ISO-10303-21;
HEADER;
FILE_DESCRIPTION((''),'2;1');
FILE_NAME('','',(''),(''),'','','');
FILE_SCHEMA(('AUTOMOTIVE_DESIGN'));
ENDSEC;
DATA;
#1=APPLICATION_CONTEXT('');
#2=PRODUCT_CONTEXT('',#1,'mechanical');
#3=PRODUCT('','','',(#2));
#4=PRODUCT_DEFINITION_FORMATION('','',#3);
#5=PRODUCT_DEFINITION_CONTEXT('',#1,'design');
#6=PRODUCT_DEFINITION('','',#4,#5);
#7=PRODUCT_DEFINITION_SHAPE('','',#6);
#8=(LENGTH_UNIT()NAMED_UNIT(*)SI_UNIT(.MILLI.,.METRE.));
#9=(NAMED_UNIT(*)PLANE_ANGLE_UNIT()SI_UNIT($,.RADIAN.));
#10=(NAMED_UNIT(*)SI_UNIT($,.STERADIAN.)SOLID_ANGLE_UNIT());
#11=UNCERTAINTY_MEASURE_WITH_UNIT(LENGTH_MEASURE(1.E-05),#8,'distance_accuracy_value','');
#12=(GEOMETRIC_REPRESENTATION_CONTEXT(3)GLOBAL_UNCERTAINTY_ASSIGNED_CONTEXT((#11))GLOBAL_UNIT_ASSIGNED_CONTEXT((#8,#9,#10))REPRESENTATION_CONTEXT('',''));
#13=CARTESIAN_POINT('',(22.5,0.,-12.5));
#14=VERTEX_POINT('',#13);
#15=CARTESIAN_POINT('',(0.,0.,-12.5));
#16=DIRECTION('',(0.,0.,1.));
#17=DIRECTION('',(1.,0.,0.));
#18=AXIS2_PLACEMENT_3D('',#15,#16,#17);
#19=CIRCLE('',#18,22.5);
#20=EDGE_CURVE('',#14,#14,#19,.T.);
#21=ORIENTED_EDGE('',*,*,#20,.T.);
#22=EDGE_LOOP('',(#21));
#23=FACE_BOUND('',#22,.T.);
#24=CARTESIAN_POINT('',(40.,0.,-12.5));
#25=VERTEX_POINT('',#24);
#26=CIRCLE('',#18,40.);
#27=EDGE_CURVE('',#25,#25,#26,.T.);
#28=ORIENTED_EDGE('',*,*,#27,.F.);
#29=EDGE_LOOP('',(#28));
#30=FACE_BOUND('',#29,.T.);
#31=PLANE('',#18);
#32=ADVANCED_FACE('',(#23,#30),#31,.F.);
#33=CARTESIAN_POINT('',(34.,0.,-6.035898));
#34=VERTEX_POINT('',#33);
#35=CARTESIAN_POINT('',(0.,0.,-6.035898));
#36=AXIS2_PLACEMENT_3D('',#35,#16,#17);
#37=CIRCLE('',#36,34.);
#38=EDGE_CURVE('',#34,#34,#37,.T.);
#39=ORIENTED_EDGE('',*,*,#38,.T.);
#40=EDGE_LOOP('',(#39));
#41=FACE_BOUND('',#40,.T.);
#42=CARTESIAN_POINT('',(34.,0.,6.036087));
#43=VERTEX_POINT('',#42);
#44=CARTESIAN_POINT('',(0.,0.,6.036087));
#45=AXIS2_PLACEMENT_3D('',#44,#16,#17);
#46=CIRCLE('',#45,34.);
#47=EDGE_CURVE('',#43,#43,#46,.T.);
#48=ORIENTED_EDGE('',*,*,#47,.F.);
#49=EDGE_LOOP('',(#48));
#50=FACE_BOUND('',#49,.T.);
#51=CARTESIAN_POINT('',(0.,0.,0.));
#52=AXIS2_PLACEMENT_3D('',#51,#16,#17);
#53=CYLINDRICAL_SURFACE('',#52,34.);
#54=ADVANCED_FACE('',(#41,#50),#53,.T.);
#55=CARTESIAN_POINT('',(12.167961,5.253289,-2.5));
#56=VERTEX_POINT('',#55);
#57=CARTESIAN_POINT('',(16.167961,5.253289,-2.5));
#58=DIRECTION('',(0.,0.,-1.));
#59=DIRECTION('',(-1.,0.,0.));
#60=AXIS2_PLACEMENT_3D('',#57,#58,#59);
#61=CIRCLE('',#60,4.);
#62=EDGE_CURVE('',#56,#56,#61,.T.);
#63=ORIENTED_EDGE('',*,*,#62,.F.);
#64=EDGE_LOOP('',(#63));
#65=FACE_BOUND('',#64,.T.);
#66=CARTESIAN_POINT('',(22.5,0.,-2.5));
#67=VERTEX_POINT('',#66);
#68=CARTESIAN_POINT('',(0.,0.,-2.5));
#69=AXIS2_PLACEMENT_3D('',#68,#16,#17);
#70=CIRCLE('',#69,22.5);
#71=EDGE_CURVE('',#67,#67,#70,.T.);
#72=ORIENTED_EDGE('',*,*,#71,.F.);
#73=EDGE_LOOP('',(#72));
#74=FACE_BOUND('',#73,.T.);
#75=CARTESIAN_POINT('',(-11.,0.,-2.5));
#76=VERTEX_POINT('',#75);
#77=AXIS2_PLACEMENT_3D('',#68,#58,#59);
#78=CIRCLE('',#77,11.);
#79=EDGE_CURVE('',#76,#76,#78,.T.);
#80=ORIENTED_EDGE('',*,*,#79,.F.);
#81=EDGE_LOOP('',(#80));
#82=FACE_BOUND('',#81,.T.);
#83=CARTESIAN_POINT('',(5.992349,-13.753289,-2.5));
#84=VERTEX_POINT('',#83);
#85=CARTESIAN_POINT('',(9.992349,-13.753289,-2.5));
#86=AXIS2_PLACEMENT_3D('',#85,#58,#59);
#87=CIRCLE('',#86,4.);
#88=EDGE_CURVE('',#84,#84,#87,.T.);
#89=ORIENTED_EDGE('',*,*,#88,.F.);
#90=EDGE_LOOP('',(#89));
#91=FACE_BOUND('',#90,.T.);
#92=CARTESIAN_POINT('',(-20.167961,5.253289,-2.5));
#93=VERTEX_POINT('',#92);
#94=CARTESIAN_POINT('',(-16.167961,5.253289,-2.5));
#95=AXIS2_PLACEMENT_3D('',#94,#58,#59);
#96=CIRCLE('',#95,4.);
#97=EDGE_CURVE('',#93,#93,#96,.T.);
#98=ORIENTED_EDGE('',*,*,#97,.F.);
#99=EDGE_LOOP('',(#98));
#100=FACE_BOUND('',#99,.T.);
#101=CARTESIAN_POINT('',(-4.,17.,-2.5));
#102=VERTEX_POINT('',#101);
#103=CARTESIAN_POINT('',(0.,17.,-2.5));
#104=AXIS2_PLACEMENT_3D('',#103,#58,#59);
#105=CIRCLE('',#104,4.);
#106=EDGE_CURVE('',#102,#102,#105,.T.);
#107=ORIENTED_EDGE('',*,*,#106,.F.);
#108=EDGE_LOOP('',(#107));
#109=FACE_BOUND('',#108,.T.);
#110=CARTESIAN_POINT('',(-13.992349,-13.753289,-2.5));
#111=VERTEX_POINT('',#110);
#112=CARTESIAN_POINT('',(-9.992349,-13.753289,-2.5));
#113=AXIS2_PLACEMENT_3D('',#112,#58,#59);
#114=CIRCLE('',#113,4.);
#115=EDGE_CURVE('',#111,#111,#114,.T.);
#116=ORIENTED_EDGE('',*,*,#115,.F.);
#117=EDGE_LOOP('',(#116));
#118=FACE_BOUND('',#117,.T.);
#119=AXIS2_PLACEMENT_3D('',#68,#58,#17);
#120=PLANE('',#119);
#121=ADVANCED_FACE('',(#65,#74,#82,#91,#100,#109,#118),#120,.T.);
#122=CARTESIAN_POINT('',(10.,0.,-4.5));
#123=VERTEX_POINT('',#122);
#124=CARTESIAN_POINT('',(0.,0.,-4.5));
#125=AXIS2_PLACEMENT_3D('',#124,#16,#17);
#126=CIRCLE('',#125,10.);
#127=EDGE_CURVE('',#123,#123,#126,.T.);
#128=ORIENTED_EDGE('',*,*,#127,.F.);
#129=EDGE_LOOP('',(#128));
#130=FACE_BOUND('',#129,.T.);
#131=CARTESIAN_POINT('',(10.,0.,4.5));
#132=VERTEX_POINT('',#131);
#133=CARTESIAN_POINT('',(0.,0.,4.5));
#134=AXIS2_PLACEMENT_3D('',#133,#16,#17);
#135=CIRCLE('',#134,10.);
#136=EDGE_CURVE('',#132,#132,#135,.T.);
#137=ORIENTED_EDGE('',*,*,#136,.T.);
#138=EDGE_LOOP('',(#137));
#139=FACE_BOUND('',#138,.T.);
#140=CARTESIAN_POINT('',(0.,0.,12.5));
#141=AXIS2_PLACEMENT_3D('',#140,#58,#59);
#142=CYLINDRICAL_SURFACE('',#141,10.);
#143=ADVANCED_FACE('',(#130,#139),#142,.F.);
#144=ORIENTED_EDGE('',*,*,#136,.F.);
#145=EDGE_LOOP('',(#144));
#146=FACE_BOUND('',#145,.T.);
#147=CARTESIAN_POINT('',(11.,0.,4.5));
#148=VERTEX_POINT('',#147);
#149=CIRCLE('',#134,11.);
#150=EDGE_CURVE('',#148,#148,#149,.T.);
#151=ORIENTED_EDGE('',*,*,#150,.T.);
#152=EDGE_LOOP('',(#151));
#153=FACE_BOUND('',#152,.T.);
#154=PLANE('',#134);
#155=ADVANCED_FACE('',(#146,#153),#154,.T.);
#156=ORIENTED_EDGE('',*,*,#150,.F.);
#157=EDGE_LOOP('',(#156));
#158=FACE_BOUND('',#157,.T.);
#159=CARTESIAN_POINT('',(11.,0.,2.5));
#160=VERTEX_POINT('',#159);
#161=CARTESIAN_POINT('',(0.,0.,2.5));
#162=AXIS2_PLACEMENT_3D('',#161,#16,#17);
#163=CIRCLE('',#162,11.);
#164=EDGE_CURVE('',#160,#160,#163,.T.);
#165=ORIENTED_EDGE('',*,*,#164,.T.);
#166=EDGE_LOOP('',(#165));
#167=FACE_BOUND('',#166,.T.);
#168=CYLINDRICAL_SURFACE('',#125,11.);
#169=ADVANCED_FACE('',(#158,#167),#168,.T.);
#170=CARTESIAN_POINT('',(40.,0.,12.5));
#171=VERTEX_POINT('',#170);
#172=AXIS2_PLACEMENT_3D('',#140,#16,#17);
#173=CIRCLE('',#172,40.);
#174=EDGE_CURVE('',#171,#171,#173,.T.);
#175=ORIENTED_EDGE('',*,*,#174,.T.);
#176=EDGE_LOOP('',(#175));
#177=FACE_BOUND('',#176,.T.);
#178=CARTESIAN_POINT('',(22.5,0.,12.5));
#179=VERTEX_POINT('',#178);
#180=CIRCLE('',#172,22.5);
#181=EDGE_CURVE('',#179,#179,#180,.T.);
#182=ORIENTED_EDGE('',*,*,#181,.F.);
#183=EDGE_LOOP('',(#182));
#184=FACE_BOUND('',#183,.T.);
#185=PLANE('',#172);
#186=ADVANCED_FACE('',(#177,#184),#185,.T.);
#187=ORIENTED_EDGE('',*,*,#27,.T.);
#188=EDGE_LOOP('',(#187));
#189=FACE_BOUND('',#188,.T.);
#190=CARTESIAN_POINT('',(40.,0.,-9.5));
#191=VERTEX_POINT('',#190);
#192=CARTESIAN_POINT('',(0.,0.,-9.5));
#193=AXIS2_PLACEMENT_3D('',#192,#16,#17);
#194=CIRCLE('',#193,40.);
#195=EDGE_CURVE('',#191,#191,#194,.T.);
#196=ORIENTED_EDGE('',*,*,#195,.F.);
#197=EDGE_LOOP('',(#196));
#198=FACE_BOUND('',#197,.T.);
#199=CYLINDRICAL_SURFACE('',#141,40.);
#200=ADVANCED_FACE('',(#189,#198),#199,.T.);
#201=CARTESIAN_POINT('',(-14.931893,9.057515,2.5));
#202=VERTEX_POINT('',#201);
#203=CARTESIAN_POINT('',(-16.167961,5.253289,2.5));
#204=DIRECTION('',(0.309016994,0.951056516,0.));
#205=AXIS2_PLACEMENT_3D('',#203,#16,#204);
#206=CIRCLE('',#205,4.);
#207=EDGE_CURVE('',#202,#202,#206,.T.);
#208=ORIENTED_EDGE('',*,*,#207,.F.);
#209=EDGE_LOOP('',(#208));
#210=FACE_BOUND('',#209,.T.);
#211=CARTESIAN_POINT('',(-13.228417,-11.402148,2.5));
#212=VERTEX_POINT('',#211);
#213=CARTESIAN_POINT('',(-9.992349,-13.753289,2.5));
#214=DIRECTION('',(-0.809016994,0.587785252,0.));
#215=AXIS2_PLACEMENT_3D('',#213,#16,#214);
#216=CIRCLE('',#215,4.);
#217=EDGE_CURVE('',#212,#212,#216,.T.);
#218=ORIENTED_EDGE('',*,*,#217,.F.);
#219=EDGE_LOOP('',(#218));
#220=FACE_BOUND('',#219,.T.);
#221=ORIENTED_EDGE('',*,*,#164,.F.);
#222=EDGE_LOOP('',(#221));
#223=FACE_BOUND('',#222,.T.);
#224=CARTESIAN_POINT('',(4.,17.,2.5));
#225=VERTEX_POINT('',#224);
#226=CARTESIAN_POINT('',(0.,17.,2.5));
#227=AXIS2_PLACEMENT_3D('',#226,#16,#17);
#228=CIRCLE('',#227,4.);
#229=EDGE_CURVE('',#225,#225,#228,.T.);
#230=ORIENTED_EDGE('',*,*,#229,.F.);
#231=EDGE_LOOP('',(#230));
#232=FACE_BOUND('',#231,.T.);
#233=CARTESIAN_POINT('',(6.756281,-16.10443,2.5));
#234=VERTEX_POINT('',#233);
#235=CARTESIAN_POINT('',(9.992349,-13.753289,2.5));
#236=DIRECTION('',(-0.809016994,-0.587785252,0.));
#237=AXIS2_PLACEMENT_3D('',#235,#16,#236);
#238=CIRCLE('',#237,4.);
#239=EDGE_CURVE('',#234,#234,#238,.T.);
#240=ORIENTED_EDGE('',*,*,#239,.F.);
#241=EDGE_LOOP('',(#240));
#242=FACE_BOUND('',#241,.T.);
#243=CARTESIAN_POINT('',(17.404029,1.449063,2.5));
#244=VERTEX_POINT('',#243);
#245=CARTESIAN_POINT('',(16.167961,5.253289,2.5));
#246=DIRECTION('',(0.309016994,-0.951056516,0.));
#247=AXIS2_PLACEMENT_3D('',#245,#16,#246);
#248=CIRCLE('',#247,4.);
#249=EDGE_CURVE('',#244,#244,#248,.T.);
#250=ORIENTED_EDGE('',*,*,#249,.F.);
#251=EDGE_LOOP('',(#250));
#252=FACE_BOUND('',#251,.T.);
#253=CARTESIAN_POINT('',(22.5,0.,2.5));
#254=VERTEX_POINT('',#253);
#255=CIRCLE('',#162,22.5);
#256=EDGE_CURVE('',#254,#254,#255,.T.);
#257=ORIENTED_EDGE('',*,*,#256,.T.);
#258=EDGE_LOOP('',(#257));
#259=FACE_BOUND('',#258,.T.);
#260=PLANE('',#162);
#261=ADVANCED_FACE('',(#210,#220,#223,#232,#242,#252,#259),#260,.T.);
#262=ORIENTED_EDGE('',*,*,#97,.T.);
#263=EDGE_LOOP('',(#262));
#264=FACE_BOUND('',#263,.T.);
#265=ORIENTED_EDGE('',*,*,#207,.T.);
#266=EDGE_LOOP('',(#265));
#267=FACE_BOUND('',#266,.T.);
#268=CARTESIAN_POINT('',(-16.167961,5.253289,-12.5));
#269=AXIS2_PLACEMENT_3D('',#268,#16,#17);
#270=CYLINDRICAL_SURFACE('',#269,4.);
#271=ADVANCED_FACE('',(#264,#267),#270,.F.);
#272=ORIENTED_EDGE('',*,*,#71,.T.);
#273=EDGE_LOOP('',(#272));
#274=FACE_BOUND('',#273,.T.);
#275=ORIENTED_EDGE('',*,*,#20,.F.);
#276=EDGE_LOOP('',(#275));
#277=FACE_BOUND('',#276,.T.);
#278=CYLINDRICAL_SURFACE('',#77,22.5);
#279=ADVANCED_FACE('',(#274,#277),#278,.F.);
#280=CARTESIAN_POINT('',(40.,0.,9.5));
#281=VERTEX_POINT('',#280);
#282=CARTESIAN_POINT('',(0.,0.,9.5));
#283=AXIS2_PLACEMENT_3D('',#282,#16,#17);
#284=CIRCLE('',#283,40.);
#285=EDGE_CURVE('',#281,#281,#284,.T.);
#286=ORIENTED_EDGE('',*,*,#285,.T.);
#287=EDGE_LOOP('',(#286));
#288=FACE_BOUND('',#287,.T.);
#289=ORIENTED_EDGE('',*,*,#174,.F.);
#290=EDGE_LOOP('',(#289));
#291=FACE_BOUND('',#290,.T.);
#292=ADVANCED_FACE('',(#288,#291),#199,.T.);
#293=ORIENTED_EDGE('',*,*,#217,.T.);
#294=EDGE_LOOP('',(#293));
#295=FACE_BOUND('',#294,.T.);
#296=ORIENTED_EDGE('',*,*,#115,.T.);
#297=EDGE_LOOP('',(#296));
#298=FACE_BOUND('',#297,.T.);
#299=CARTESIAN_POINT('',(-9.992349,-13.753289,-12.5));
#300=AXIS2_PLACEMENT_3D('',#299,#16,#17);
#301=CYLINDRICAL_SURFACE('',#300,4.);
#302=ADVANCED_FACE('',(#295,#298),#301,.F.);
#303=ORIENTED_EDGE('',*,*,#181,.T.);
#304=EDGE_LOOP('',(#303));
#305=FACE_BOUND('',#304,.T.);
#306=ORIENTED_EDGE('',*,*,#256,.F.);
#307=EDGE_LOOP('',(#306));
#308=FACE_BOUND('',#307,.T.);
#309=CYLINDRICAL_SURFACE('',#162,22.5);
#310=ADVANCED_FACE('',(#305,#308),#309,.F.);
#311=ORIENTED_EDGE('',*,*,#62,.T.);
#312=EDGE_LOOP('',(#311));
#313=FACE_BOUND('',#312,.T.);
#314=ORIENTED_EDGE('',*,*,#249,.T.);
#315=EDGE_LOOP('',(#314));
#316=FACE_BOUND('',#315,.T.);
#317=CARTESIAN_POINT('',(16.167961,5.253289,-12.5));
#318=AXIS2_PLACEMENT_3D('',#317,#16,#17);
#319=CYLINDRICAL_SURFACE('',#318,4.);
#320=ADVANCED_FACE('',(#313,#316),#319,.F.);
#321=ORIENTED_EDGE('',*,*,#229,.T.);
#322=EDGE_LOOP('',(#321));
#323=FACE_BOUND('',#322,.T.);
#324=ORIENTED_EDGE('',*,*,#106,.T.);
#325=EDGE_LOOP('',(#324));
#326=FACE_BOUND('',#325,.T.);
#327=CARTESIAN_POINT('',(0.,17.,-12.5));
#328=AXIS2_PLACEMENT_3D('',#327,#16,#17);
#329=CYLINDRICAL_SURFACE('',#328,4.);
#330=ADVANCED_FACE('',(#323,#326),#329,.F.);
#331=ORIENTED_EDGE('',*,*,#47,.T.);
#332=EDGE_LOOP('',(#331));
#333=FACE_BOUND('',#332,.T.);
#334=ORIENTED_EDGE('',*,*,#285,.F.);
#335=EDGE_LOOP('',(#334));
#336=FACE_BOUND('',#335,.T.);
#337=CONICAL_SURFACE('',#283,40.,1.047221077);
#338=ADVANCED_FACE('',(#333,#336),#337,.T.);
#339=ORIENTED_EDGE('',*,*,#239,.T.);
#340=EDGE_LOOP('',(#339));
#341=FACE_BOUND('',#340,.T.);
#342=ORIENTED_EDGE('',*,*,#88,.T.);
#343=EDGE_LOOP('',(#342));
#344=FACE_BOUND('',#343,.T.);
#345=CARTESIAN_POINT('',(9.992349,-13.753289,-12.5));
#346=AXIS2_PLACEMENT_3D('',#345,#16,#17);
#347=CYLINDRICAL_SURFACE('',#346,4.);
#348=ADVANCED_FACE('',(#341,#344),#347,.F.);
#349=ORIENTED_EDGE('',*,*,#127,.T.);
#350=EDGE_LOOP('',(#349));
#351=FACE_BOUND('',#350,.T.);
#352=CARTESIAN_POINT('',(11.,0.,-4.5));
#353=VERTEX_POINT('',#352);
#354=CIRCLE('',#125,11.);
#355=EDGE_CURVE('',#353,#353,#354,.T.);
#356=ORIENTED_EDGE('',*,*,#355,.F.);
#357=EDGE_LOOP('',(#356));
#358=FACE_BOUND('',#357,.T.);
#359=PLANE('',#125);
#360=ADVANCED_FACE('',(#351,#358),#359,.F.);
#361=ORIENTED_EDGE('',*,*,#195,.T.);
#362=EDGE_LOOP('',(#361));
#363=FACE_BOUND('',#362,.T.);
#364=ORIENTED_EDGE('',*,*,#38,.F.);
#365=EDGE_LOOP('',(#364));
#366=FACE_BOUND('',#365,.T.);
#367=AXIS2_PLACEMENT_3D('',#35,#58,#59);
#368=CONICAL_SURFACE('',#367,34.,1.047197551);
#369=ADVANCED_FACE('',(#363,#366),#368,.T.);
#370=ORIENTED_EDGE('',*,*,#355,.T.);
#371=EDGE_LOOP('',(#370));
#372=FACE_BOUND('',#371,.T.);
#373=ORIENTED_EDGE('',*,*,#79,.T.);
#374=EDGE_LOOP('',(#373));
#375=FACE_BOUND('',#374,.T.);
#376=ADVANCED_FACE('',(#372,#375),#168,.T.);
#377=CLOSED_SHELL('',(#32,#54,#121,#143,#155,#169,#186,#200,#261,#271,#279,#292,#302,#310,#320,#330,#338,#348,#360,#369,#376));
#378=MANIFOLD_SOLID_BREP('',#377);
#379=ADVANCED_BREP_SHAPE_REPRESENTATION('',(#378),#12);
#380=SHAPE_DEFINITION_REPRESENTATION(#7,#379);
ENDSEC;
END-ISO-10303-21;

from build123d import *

# Parameters (mm, degrees)
SKETCH1_R                = 40
SKETCH1_R_2              = 10
BOSS_EXTRUDE1_DEPTH      = 12.5
SKETCH2_R                = 22.5
CUT_EXTRUDE1_DEPTH       = 10
SKETCH3_R                = 4
CUT_EXTRUDE2_DEPTH       = 16
CIRPATTERN1_COUNT        = 5
SKETCH4_R                = 11
SKETCH4_R_2              = 10
BOSS_EXTRUDE2_DEPTH      = 2
BOSS_EXTRUDE2_DEPTH_BACK = 7


with BuildPart() as part:
    # Sketch1 → Boss-Extrude1 (new body, symmetric)
    with BuildSketch(Plane.XY):
        Circle(SKETCH1_R)
        Circle(SKETCH1_R_2, mode=Mode.SUBTRACT)
    extrude(amount=BOSS_EXTRUDE1_DEPTH, both=True)

    # Sketch2 → Cut-Extrude1 (cut)
    with BuildSketch(Plane.XY.offset(12.5)):
        Circle(SKETCH2_R)
    cut_extrude1 = extrude(amount=-CUT_EXTRUDE1_DEPTH, mode=Mode.SUBTRACT)

    # Mirror1: Cut-Extrude1 across plane
    add(cut_extrude1.mirror(Plane.XY), mode=Mode.SUBTRACT)

    # Sketch3 → Cut-Extrude2 (cut, through all)
    with BuildSketch(Plane.XY.offset(2.5)):
        with Locations((0, 17)):
            Circle(SKETCH3_R)
    cut_extrude2 = extrude(amount=-CUT_EXTRUDE2_DEPTH, mode=Mode.SUBTRACT)

    # CirPattern1: Cut-Extrude2 ×5 about axis
    cirpattern1_axis = Axis((0, 0, 0), (0, 0, 1))
    for i in range(1, CIRPATTERN1_COUNT):
        add(cut_extrude2.rotate(cirpattern1_axis, i * 360 / CIRPATTERN1_COUNT), mode=Mode.SUBTRACT)

    # Sketch4 → Boss-Extrude2 (add, two sides)
    with BuildSketch(Plane.XY.offset(2.5)) as boss_extrude2_sk:
        Circle(SKETCH4_R)
        Circle(SKETCH4_R_2, mode=Mode.SUBTRACT)
    extrude(amount=BOSS_EXTRUDE2_DEPTH)
    extrude(boss_extrude2_sk.sketch, amount=-BOSS_EXTRUDE2_DEPTH_BACK)

    # Sketch5 → Cut-Revolve1 (revolve, cut)
    with BuildSketch(Plane(origin=(0, 0, 0), x_dir=(1, 0, 0), z_dir=(0, 1, 0))):
        Polygon((-40, 9.5), (-40, -9.5), (-34, -6.036086587), (-34, 6.035898385), align=None)
    revolve(axis=Axis((0, 0, 0), (0, 0, -1)), mode=Mode.SUBTRACT)


solid = part.part
